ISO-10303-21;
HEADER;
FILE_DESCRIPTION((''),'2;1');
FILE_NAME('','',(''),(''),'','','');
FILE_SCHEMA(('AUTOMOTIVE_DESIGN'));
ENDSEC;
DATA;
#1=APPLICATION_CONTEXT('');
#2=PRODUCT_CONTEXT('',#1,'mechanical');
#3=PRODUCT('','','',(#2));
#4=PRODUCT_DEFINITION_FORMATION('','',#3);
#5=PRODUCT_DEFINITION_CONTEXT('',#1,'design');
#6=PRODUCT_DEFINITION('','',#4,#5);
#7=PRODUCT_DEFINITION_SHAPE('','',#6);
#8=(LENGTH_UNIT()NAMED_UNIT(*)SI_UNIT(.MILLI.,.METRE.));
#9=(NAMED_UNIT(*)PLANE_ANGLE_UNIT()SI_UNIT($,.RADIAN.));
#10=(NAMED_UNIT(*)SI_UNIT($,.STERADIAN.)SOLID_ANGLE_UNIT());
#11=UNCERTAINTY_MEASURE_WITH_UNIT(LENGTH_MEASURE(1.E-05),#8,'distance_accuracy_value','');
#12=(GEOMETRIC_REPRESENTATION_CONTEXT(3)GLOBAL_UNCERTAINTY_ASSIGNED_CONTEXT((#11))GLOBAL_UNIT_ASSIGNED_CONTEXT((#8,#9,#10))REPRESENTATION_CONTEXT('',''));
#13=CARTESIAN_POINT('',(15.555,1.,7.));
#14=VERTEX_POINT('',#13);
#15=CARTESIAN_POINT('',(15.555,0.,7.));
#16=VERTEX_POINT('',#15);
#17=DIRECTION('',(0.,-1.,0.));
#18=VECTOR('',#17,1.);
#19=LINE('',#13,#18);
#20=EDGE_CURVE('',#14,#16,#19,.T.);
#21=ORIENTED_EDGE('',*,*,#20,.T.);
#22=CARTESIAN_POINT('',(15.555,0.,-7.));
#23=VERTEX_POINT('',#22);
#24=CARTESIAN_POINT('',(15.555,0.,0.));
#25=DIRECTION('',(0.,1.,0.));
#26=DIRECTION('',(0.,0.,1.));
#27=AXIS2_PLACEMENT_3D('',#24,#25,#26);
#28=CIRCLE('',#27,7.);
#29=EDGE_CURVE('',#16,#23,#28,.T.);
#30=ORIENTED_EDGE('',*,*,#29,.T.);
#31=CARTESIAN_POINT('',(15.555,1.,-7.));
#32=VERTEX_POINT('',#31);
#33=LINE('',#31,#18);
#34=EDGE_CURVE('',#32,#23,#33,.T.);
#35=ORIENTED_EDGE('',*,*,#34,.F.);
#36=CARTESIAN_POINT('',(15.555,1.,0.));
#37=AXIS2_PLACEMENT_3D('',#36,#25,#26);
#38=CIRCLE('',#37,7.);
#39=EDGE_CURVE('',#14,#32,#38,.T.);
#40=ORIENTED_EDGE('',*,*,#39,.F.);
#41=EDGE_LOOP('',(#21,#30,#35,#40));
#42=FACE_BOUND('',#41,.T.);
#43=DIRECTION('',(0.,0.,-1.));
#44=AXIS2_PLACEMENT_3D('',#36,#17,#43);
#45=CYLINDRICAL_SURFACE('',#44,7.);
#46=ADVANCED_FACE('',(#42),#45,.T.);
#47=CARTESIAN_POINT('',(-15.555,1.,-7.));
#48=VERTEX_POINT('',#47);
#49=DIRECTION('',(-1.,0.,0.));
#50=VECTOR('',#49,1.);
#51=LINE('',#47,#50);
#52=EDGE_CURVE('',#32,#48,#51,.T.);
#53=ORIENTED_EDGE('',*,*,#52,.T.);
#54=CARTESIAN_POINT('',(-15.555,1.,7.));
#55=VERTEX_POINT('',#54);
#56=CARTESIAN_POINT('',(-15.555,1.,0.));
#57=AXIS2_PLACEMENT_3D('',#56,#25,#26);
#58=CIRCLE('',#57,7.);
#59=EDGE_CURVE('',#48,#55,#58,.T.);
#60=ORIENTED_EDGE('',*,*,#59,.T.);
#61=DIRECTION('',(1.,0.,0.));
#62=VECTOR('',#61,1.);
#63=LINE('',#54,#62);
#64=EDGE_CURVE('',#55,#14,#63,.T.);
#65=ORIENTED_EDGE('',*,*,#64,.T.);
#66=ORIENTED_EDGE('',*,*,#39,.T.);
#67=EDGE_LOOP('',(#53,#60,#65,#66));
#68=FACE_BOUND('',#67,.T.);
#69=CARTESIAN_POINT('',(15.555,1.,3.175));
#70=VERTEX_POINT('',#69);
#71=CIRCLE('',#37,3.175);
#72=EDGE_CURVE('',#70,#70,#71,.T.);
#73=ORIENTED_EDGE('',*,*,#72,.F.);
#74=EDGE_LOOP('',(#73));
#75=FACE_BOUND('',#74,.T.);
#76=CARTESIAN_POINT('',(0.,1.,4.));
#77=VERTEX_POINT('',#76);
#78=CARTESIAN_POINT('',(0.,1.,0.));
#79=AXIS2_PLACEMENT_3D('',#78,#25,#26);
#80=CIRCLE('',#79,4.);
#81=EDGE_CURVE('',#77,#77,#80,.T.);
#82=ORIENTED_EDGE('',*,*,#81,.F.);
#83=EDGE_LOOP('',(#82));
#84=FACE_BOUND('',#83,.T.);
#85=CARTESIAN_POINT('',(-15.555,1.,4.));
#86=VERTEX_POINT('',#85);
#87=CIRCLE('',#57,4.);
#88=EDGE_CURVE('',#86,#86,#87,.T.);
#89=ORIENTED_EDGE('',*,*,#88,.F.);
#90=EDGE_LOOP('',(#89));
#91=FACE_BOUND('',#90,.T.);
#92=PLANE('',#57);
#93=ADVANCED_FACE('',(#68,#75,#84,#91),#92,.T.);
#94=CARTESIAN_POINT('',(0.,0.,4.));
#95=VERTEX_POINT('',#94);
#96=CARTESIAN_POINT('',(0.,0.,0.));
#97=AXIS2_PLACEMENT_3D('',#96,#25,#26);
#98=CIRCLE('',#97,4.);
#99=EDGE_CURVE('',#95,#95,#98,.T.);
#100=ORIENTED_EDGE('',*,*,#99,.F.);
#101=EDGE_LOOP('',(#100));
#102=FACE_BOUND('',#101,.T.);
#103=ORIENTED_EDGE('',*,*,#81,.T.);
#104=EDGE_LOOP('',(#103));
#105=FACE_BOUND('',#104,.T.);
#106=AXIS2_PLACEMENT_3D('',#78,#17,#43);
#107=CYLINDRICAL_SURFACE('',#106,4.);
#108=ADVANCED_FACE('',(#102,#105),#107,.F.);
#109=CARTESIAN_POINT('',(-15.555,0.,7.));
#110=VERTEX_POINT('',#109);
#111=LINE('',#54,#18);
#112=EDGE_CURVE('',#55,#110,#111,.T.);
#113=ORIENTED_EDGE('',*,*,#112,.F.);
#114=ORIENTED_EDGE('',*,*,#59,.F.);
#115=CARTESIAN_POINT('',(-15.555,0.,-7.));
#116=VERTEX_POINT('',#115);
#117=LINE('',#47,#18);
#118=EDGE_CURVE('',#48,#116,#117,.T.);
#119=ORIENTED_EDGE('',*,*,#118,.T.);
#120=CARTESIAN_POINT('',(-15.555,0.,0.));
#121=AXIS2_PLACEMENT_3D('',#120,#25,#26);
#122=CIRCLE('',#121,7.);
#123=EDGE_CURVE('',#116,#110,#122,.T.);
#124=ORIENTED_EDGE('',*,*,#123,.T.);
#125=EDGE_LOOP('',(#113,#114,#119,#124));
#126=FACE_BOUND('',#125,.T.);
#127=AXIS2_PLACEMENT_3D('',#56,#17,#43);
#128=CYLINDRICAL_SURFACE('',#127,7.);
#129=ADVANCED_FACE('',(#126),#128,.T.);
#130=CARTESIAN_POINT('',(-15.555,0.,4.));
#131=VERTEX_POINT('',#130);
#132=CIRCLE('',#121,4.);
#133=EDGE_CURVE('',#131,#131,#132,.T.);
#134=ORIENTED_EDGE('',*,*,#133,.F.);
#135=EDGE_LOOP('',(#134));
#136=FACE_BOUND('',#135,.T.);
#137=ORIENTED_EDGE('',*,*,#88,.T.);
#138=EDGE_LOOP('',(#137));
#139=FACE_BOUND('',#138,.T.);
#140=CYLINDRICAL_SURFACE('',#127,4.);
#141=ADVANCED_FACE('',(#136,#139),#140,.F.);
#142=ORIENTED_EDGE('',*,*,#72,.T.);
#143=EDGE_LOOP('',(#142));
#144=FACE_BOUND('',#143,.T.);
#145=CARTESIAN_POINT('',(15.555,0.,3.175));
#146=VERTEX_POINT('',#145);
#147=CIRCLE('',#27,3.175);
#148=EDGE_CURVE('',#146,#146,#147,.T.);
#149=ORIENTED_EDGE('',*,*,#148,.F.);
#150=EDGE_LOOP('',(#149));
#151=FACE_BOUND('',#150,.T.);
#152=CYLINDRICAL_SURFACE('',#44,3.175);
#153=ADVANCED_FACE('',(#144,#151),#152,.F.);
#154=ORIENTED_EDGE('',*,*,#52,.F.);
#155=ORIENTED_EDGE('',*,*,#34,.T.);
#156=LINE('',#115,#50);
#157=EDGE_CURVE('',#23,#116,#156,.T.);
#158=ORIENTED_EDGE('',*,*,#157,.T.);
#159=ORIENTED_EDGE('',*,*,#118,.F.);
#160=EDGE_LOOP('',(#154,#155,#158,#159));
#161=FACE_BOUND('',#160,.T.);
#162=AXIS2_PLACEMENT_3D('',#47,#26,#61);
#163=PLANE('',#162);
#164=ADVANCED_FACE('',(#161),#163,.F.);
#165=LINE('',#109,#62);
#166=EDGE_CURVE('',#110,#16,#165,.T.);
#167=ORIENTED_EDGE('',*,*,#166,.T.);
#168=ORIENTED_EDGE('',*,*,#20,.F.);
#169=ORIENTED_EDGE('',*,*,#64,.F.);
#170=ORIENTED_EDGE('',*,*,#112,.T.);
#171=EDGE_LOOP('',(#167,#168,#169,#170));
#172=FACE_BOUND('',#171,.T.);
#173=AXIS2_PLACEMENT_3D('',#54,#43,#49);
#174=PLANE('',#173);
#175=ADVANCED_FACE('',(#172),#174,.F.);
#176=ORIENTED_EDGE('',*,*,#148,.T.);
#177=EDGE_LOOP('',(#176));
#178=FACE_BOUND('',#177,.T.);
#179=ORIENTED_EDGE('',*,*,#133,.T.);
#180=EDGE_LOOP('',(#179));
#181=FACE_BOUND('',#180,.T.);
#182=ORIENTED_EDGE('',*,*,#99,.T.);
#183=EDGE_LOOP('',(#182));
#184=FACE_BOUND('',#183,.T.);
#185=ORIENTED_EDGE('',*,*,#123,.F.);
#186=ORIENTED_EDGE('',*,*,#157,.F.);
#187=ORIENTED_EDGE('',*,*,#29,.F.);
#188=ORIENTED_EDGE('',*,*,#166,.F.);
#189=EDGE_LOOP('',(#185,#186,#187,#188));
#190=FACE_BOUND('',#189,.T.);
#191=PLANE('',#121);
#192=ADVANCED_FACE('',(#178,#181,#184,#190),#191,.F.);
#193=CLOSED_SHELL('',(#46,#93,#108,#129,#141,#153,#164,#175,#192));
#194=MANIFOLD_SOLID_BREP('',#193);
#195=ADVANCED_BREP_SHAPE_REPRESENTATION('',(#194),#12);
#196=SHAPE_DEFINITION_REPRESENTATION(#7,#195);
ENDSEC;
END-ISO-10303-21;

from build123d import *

# Parameters (mm, degrees)
SKETCH1_R           = 4
SKETCH1_R_2         = 3.175
BOSS_EXTRUDE1_DEPTH = 1


with BuildPart() as part:
    # Sketch1 → Boss-Extrude1 (new body)
    with BuildSketch(Plane(origin=(0, 0, 0), x_dir=(1, 0, 0), z_dir=(0, 1, 0))):
        with BuildLine():
            Line((-15.555, 7), (15.555, 7))
            ThreePointArc((15.555, 7), (22.555, 0), (15.555, -7))
            Line((15.555, -7), (-15.555, -7))
            ThreePointArc((-15.555, -7), (-22.555, 0), (-15.555, 7))
        make_face()
        with Locations(Location((-15.555, 0, 0), (0, 0, 270))):
            Circle(SKETCH1_R, mode=Mode.SUBTRACT)
        with Locations(Location((0, 0, 0), (0, 0, 270))):
            Circle(SKETCH1_R, mode=Mode.SUBTRACT)
        with Locations(Location((15.555, 0, 0), (0, 0, 270))):
            Circle(SKETCH1_R_2, mode=Mode.SUBTRACT)
    extrude(amount=BOSS_EXTRUDE1_DEPTH)


solid = part.part
